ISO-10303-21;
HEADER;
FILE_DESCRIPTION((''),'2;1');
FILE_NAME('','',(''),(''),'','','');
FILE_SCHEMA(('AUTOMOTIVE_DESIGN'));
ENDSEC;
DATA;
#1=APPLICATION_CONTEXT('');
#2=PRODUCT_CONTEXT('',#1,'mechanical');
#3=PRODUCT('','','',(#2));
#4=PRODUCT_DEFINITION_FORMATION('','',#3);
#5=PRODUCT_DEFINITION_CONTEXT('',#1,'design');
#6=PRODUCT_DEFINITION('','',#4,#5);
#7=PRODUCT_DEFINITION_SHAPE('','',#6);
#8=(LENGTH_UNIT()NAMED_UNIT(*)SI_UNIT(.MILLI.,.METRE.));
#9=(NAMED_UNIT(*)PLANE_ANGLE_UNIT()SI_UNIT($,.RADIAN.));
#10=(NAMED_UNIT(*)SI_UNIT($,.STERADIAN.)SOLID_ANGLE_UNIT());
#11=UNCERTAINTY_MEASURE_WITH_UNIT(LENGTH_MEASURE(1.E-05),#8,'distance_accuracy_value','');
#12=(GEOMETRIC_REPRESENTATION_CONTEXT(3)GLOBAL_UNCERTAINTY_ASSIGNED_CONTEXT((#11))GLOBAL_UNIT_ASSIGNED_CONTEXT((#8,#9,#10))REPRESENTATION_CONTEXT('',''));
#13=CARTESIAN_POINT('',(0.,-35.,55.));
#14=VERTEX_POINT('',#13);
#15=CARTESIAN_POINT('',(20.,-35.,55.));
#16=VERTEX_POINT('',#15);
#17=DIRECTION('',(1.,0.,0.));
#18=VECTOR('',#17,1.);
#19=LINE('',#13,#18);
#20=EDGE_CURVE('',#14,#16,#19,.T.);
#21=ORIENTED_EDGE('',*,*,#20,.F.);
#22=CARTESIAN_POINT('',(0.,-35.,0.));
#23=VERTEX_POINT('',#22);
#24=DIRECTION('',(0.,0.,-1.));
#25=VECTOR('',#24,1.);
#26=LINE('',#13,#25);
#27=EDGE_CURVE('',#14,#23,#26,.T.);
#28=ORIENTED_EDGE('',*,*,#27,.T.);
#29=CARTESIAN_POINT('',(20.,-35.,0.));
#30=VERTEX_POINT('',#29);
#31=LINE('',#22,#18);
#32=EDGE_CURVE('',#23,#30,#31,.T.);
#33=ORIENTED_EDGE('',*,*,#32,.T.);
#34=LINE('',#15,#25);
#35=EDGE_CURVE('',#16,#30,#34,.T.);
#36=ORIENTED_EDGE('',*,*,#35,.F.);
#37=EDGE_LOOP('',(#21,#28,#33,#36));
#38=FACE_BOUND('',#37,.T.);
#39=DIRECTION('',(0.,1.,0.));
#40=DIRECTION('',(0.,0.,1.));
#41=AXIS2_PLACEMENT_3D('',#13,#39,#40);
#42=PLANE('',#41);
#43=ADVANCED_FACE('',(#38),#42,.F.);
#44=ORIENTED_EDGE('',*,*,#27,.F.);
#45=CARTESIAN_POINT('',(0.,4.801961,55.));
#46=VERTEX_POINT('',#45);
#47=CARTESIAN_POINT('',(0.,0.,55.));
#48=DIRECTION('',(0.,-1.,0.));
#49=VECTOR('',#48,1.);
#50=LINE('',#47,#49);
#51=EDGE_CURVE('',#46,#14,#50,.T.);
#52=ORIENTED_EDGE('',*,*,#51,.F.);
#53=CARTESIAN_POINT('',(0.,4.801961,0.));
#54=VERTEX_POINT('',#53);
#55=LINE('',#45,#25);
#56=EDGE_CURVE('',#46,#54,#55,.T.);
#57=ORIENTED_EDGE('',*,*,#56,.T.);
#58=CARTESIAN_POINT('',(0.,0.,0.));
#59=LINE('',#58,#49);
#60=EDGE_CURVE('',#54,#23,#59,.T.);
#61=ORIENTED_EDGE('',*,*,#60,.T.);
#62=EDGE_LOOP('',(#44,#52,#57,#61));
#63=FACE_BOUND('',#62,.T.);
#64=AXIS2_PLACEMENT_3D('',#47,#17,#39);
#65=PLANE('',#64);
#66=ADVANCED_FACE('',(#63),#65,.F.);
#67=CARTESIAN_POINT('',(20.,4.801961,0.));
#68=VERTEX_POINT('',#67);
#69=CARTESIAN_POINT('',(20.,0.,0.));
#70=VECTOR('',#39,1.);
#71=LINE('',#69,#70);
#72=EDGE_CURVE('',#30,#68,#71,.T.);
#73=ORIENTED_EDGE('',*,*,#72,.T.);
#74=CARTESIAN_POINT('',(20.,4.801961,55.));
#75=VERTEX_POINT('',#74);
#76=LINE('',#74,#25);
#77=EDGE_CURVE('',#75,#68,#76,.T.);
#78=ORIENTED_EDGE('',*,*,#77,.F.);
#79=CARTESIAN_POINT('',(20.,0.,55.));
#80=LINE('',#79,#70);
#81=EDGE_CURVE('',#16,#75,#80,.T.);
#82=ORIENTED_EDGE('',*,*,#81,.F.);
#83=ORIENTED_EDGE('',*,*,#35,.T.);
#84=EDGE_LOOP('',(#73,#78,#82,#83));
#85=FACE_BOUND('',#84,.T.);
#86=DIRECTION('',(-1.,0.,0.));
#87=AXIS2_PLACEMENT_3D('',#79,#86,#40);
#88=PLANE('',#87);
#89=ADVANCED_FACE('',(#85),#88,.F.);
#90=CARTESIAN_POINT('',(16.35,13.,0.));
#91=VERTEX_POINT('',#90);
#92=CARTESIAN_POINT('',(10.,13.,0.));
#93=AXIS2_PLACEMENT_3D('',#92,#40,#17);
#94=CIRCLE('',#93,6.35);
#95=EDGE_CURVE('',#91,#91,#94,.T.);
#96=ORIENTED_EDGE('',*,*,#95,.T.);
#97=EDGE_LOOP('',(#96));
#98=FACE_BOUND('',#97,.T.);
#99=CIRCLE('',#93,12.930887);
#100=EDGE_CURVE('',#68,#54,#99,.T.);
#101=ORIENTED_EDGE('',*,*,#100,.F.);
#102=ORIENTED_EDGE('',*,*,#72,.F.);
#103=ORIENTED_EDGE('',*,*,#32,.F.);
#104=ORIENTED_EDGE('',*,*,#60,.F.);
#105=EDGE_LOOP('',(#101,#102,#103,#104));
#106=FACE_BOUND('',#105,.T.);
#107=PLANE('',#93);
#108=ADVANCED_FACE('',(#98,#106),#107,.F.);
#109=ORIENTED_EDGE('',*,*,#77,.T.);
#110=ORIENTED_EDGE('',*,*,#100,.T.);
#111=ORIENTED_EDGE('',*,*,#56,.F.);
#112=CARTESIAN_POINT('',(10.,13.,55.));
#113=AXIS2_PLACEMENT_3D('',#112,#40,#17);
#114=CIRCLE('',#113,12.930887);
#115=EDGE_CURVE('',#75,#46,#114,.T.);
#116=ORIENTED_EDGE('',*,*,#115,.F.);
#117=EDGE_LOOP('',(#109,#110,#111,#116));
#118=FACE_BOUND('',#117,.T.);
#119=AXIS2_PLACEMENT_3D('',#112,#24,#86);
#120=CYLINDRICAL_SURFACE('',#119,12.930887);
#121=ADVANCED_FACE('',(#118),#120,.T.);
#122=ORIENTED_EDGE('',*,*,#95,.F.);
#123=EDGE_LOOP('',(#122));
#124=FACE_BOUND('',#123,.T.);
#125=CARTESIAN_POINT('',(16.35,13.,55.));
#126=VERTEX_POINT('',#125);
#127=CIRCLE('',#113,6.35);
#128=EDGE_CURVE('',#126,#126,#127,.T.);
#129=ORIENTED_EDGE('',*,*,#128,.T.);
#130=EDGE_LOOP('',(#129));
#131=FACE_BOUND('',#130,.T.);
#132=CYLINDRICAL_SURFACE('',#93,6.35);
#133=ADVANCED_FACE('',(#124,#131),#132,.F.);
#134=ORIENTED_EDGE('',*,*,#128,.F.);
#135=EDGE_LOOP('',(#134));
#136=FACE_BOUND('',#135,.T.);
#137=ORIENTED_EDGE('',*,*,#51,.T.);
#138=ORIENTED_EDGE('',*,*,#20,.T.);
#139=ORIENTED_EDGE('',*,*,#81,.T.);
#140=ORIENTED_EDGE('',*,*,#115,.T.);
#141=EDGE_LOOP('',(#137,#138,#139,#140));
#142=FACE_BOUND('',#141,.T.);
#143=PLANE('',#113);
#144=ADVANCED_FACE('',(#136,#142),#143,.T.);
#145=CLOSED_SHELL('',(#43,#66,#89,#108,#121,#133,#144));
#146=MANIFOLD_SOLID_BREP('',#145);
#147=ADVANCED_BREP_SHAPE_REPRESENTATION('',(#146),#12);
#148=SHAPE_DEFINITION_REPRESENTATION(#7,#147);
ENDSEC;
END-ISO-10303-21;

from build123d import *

# Parameters (mm, degrees)
SALIENTE_EXTRUIR1_DEPTH = 55
CROQUIS2_R              = 6.35
CORTAR_EXTRUIR1_DEPTH   = 55


with BuildPart() as part:
    # Croquis1 → Saliente-Extruir1 (new body)
    with BuildSketch(Plane.XY):
        with BuildLine():
            Line((0, 0), (0, -35))
            Line((0, -35), (20, -35))
            Line((20, -35), (20, 0))
            Line((20, 0), (20, 4.801960973))
            ThreePointArc((20, 4.801960973), (10, 25.930887204), (0, 4.801960973))
            Line((0, 4.801960973), (0, 0))
        make_face()
    extrude(amount=SALIENTE_EXTRUIR1_DEPTH)

    # Croquis2 → Cortar-Extruir1 (cut)
    with BuildSketch(Plane.XY.offset(55)):
        with Locations((10, 13)):
            Circle(CROQUIS2_R)
    extrude(amount=-CORTAR_EXTRUIR1_DEPTH, mode=Mode.SUBTRACT)


solid = part.part
